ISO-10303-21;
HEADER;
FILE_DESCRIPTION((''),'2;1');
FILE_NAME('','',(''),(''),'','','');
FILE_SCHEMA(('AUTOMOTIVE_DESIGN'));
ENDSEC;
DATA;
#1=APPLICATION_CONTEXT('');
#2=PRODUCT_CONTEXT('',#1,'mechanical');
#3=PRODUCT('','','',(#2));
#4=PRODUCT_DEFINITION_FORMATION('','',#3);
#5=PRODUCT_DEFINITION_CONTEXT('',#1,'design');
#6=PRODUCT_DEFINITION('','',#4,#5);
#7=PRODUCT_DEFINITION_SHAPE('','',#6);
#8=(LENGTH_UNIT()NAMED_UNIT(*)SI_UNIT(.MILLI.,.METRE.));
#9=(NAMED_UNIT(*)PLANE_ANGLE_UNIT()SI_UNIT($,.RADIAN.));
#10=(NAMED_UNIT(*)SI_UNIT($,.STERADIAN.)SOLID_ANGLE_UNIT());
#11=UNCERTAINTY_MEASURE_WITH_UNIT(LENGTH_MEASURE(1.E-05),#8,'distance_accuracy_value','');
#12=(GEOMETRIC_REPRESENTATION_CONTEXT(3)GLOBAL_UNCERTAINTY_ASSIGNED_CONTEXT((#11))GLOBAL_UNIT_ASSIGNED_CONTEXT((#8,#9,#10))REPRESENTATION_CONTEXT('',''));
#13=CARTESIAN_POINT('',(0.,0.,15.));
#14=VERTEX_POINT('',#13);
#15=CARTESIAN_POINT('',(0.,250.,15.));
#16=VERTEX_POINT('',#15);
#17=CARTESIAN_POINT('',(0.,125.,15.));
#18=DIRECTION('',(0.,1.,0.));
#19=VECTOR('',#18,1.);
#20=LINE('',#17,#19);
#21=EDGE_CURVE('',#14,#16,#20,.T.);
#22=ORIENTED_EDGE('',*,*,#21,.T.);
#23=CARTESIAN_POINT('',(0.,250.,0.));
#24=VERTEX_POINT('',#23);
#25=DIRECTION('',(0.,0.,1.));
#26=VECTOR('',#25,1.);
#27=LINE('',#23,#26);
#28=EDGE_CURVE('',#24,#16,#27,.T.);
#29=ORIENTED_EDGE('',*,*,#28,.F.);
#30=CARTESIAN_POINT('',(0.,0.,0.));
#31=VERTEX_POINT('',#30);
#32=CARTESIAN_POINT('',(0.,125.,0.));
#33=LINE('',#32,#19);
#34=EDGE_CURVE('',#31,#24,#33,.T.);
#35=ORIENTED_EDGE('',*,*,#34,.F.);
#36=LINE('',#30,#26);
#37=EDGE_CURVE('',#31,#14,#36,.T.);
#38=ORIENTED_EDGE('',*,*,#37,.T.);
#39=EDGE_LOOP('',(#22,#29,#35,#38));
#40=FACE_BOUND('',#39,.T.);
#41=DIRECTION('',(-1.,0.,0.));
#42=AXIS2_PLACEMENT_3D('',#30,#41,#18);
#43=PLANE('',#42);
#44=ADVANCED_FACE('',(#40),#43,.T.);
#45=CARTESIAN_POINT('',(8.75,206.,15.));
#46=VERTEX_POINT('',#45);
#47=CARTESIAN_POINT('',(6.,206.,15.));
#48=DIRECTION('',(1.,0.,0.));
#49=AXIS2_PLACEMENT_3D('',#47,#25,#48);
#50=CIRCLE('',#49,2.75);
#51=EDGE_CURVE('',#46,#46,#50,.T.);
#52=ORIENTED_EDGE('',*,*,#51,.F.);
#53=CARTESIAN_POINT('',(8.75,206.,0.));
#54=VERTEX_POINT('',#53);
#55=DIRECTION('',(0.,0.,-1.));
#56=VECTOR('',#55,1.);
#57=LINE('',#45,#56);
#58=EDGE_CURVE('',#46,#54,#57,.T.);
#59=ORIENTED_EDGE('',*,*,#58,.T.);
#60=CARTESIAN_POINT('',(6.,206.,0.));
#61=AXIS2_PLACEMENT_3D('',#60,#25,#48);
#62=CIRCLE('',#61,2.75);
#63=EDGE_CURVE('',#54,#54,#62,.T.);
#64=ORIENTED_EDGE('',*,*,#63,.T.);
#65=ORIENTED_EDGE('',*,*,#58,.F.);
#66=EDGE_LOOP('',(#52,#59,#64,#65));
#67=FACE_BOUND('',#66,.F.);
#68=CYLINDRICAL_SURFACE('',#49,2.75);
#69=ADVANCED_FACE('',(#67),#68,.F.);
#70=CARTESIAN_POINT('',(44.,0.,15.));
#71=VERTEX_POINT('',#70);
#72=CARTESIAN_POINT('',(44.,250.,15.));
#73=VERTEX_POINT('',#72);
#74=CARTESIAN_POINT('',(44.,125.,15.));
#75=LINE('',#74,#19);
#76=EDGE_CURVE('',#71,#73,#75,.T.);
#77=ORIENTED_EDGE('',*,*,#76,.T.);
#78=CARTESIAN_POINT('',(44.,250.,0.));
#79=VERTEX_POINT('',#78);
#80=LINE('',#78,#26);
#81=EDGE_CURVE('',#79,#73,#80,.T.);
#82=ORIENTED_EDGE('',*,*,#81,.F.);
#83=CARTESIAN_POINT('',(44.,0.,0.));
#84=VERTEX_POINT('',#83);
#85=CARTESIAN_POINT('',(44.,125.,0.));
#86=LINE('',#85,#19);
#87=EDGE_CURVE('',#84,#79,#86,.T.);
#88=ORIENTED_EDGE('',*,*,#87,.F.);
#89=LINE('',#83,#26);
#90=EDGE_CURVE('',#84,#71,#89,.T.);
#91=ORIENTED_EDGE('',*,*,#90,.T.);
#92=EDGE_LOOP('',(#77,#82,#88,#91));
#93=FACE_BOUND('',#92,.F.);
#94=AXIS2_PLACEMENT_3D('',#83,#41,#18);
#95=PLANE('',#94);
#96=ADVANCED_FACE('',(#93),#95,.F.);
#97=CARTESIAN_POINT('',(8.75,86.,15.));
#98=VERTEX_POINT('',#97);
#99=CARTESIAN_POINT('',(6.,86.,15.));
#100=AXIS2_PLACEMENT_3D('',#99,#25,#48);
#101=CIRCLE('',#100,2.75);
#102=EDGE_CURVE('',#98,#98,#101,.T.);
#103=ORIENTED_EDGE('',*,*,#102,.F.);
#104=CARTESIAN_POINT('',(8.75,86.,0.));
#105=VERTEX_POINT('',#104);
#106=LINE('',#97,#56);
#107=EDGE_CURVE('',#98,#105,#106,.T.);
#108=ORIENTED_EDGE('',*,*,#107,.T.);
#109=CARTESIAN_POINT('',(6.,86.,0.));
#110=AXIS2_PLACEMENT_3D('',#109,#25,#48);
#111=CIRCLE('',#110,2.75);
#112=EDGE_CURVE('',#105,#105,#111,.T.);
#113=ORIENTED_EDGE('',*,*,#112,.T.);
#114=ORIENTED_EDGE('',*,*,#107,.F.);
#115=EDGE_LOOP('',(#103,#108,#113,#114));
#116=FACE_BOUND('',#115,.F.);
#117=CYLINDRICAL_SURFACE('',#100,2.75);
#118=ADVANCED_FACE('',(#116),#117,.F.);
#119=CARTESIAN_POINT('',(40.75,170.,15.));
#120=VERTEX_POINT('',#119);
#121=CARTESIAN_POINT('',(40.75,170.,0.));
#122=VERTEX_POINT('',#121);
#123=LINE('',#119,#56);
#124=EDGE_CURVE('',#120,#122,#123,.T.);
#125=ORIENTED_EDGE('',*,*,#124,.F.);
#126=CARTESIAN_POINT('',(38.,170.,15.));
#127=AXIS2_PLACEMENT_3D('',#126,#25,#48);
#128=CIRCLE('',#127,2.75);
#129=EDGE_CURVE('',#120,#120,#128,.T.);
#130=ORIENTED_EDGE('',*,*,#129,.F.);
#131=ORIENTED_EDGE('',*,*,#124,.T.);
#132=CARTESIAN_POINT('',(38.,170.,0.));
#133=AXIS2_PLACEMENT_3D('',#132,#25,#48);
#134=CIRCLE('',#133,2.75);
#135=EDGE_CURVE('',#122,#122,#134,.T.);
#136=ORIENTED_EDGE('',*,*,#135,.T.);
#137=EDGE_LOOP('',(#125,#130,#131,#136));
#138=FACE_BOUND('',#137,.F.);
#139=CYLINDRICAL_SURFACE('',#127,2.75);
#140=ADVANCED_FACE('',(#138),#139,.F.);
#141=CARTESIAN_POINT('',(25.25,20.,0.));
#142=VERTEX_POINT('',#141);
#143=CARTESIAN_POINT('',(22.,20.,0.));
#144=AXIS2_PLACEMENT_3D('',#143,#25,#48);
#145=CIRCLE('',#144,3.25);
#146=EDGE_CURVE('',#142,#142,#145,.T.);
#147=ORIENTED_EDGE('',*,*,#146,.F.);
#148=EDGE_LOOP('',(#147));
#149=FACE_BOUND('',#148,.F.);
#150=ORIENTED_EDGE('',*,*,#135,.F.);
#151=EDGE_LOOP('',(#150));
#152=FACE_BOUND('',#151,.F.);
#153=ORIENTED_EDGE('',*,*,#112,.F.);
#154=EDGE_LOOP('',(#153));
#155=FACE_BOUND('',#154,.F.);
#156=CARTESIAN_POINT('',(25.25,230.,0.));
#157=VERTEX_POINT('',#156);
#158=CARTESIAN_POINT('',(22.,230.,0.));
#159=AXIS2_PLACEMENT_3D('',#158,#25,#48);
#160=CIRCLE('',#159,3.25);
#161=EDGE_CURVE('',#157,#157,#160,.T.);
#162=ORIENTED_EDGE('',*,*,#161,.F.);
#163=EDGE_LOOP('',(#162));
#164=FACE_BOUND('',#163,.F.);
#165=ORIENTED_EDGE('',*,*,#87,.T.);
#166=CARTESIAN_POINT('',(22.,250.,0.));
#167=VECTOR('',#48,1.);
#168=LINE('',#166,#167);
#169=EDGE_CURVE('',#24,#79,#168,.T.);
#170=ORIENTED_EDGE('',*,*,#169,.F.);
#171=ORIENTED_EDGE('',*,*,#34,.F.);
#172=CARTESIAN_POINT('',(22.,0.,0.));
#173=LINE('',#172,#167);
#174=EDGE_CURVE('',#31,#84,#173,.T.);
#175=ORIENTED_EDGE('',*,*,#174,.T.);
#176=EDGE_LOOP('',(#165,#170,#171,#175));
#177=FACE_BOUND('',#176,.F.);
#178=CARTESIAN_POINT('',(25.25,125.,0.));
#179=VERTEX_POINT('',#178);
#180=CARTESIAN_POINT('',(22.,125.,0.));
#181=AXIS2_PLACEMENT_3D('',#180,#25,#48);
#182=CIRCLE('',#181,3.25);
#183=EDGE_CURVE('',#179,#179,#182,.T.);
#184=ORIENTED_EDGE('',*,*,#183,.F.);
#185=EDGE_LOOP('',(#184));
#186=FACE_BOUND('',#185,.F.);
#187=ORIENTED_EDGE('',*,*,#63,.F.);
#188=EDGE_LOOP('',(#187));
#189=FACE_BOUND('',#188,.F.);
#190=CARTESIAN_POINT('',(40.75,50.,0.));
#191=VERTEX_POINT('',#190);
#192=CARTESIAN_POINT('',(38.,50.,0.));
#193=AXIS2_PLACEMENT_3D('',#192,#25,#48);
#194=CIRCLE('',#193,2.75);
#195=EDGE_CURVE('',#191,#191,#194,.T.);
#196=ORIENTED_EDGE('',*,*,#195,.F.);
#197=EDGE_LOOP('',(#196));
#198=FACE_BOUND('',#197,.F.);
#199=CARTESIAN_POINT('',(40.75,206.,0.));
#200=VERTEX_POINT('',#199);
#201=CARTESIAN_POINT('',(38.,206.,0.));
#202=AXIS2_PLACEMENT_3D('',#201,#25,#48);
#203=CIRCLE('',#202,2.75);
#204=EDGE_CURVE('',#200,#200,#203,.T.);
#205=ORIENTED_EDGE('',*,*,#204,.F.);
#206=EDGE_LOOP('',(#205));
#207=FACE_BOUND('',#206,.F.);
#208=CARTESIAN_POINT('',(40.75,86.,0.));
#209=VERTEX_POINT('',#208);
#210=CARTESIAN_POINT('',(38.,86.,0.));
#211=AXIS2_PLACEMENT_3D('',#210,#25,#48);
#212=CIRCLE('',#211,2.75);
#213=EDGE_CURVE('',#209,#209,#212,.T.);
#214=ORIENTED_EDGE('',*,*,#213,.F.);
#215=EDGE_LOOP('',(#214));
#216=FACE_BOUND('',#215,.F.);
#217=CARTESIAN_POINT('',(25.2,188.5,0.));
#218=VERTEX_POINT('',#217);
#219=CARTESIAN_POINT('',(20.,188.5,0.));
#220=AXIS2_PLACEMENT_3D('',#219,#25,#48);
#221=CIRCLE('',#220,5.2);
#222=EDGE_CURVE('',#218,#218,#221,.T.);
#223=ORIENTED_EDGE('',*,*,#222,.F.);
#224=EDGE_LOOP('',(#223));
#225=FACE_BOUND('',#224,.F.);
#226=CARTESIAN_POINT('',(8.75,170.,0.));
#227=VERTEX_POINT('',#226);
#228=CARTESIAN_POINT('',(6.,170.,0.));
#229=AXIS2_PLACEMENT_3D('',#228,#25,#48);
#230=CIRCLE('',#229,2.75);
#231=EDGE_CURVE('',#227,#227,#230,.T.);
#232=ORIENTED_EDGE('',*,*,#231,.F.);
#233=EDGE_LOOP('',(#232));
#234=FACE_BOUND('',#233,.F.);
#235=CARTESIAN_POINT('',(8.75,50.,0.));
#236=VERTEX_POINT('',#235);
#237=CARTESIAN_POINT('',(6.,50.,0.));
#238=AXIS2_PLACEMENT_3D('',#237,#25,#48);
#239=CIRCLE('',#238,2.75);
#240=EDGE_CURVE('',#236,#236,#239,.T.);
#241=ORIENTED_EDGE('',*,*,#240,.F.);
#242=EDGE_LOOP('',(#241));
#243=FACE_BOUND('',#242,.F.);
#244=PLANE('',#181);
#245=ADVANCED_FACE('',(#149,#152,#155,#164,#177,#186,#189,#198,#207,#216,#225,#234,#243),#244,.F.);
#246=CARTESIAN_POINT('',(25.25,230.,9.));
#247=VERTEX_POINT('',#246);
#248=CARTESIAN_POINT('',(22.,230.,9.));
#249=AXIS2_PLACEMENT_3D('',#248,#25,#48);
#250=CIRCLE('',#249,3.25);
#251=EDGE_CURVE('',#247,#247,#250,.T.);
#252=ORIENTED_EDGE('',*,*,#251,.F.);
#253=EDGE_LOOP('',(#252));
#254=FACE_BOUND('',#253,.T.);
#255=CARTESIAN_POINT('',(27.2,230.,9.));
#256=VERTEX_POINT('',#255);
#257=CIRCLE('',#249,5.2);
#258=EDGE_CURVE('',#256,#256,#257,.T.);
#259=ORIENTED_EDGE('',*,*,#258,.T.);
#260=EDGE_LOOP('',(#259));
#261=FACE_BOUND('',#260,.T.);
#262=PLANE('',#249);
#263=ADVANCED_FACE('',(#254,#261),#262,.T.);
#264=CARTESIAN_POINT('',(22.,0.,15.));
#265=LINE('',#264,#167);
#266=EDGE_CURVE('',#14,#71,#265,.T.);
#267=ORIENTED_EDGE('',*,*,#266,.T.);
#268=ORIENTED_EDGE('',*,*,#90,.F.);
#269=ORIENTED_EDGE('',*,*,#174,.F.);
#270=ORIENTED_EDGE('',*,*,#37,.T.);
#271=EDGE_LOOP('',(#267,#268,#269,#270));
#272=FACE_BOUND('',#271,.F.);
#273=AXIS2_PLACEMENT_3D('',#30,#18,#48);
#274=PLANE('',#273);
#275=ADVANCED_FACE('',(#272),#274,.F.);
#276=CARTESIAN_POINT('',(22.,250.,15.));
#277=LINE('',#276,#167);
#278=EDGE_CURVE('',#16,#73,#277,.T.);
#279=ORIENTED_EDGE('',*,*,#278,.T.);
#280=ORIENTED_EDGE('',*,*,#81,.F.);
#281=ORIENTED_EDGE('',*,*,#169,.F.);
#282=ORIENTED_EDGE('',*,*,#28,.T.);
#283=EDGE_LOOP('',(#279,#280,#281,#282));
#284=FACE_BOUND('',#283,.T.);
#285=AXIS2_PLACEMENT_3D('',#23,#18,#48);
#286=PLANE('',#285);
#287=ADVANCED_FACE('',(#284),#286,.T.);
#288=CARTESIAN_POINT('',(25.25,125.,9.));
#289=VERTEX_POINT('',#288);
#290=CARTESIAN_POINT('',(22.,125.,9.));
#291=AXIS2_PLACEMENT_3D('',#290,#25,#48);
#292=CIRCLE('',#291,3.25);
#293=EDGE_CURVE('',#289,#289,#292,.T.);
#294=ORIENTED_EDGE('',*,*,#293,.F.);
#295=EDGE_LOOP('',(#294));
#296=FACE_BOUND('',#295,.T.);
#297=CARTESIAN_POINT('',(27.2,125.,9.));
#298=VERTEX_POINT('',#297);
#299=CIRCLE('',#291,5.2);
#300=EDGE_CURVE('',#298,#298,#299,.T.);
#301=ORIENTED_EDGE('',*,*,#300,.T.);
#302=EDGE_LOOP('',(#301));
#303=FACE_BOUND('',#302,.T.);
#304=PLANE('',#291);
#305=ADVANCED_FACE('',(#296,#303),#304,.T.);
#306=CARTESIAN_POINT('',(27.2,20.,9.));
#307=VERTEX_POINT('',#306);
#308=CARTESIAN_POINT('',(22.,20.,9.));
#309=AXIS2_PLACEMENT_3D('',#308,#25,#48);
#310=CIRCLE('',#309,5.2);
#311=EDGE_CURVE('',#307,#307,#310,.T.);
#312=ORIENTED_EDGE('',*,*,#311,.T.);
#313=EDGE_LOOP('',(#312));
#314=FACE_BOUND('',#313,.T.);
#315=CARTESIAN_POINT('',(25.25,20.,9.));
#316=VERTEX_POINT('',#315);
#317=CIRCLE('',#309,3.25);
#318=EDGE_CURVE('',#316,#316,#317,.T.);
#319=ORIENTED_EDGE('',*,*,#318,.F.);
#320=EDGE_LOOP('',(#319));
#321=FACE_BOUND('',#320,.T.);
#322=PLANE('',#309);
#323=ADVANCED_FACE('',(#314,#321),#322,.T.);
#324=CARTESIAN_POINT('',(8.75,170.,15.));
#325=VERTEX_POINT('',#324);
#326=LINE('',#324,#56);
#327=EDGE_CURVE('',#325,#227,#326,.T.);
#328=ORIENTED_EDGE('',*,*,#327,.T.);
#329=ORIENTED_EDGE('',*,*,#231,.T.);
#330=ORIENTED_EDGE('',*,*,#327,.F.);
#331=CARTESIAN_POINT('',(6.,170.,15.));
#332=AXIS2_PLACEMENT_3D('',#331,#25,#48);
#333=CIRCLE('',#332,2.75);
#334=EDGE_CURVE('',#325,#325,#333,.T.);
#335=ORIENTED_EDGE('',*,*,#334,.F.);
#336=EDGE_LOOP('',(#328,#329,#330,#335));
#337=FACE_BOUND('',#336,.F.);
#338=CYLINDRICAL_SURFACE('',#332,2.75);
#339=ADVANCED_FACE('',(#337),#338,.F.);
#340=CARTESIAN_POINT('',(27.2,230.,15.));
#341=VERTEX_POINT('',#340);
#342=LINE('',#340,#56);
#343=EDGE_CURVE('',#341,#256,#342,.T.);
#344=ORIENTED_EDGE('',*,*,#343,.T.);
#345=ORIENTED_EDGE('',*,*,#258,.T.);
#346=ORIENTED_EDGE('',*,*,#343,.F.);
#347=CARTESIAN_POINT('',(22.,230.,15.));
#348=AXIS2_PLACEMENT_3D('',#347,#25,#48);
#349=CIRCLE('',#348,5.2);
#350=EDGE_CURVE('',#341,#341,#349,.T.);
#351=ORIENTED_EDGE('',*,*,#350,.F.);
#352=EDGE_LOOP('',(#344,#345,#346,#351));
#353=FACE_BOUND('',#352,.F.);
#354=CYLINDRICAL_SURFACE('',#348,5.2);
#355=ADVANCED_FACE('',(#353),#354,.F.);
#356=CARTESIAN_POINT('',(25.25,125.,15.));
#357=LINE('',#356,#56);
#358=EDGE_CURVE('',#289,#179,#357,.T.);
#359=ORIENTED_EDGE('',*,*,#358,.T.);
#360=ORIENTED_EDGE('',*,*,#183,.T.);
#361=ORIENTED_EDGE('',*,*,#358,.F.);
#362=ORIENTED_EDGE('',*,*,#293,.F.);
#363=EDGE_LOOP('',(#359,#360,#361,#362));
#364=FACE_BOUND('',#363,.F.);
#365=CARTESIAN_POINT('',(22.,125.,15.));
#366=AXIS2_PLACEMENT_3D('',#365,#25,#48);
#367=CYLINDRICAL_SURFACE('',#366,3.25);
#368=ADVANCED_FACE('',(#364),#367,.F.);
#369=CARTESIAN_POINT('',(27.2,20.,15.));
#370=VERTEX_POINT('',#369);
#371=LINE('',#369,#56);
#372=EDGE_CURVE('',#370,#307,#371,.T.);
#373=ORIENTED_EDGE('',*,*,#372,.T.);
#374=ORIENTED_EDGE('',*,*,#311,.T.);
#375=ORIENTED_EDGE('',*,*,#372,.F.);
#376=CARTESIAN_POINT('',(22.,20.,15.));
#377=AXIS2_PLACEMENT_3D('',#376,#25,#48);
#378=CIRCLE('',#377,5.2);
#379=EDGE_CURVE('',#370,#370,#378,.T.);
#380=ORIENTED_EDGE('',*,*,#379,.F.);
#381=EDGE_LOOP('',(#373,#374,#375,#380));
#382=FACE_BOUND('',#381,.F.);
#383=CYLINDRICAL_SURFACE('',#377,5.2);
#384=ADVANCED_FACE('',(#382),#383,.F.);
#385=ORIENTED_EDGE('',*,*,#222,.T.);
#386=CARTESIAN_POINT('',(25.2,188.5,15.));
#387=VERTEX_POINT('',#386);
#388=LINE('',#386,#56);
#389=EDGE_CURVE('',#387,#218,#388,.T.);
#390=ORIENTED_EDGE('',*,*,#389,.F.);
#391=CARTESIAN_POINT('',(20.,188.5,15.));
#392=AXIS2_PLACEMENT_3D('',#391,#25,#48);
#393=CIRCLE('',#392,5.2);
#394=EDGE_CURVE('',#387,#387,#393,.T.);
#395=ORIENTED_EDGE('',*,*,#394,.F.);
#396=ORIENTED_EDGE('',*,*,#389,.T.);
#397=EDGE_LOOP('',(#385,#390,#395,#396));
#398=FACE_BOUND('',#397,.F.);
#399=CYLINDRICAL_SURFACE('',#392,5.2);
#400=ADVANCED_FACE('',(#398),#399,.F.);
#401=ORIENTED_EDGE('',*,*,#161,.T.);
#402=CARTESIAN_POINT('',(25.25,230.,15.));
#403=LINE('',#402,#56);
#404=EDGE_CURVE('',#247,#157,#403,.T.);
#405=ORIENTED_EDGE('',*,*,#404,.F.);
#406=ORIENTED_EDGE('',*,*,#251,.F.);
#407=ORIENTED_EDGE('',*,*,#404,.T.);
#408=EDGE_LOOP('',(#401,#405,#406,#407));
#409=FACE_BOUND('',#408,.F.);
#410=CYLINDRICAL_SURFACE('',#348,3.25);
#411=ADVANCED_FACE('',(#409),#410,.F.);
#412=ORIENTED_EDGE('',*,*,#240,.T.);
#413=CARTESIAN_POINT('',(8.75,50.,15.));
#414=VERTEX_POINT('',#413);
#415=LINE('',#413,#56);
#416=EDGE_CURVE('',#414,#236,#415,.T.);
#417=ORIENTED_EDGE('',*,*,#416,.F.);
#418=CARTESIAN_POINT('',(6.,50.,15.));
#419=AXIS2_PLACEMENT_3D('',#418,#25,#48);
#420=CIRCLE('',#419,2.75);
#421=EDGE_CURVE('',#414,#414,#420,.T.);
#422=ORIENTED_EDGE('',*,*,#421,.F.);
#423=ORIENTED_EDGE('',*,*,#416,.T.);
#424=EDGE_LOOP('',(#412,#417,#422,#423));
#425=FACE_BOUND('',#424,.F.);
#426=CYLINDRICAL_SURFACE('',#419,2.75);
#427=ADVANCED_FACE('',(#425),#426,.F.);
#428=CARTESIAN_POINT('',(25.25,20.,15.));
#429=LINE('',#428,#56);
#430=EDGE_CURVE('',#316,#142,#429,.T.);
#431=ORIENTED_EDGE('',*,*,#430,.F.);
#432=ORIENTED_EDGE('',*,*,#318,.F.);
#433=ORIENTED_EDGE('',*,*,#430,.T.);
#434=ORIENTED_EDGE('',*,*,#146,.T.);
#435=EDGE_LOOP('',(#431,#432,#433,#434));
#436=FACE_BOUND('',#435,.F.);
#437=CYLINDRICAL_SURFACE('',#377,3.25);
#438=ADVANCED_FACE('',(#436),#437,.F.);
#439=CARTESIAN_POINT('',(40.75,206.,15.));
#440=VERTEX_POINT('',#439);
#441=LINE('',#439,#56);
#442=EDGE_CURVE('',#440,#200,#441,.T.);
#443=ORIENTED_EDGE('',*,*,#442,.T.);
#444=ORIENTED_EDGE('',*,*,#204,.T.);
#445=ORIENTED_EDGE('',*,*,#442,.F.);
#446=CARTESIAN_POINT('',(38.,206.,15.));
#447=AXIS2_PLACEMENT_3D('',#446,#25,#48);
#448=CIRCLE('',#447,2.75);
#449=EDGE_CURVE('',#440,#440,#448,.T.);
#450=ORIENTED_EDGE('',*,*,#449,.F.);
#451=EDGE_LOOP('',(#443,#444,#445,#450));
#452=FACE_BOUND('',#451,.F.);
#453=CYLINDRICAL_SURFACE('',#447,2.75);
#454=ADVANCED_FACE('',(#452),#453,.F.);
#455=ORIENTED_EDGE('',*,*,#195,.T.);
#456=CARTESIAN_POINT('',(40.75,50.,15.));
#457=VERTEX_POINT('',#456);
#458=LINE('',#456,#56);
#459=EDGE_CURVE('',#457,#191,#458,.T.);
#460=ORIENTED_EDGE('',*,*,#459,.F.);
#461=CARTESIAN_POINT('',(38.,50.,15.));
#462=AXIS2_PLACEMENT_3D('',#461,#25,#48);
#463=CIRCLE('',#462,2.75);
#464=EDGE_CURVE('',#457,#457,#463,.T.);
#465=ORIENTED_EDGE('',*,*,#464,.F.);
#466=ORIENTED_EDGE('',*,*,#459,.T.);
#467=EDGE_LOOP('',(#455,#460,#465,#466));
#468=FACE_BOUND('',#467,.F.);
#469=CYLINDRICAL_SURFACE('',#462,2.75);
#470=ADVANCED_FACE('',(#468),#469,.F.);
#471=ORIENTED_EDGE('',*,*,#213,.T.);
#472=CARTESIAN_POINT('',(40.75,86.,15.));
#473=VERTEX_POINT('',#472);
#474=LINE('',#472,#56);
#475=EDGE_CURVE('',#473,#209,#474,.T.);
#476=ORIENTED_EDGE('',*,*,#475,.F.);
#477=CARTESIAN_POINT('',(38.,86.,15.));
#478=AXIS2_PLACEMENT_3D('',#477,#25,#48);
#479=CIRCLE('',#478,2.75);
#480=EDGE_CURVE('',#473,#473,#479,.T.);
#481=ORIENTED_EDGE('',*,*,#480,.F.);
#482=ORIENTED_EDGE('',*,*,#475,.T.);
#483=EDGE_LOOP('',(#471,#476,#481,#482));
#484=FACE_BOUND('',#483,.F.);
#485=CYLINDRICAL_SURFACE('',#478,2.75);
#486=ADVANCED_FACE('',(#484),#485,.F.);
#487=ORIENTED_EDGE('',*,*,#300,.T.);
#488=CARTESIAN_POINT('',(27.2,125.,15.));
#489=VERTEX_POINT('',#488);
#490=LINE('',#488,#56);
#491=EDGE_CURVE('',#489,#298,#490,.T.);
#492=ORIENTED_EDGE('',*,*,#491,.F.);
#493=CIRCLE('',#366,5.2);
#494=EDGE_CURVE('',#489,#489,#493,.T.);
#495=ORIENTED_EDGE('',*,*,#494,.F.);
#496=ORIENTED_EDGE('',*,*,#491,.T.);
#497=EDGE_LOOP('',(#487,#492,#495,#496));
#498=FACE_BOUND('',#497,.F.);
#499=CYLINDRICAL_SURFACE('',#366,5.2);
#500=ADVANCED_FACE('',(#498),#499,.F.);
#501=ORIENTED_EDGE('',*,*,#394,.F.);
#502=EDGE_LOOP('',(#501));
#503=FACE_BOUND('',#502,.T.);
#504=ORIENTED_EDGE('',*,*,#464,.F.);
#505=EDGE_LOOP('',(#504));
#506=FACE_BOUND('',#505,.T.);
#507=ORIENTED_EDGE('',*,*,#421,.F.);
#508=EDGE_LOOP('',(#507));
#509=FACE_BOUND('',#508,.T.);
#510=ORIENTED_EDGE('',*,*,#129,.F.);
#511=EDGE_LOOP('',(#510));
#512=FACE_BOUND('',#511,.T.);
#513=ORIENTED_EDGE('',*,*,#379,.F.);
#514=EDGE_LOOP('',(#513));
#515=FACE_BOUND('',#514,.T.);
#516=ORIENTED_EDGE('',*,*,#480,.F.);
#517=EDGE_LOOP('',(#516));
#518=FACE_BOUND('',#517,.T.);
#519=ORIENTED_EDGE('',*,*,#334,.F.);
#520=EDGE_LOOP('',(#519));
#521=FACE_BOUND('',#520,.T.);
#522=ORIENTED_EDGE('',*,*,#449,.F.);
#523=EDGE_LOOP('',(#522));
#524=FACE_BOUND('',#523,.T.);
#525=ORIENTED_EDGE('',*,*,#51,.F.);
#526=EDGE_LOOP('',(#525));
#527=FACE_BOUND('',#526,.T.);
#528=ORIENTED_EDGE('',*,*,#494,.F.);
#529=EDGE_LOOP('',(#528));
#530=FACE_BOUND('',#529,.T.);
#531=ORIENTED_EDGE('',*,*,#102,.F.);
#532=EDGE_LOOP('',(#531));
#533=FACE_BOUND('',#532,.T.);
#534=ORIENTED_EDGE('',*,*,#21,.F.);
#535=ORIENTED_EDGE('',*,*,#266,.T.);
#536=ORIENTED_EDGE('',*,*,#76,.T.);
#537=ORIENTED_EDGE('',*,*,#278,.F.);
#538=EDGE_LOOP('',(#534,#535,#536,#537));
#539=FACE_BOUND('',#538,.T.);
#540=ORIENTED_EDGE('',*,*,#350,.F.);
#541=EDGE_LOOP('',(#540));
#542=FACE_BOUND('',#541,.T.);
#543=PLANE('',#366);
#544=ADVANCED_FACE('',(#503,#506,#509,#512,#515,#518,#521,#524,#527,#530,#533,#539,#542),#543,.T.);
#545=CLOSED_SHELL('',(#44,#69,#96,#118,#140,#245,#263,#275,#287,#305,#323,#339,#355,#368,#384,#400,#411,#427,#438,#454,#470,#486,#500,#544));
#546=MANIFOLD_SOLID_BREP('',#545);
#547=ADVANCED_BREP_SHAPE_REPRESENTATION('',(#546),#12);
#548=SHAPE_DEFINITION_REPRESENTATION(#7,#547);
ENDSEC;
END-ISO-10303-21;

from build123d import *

# Parameters (mm, degrees)
SKETCH_W        = 44
SKETCH_H        = 250
PAD_DEPTH       = 15
SKETCH001_R     = 3.25
POCKET_DEPTH    = 15
SKETCH002_R     = 2.75
POCKET001_DEPTH = 15
SKETCH003_R     = 5.2
POCKET002_DEPTH = 6
SKETCH004_R     = 5.2
POCKET003_DEPTH = 15


with BuildPart() as part:
    # Sketch → Pad (new body)
    with BuildSketch(Plane.XY):
        with Locations((22, 125)):
            Rectangle(SKETCH_W, SKETCH_H)
    extrude(amount=PAD_DEPTH)

    # Sketch001 (on Face6 of Pad) → Pocket (cut)
    with BuildSketch(Plane.XY.offset(15)):
        with Locations((22, 230)):
            Circle(SKETCH001_R)
        with Locations((22, 125)):
            Circle(SKETCH001_R)
        with Locations((22, 20)):
            Circle(SKETCH001_R)
    extrude(amount=-POCKET_DEPTH, mode=Mode.SUBTRACT)

    # Sketch002 (on Face5 of Pocket) → Pocket001 (cut)
    with BuildSketch(Plane.XY.offset(15)):
        with Locations((6, 206)):
            Circle(SKETCH002_R)
        with Locations((38, 206)):
            Circle(SKETCH002_R)
        with Locations((6, 170)):
            Circle(SKETCH002_R)
        with Locations((38, 170)):
            Circle(SKETCH002_R)
        with Locations((6, 86)):
            Circle(SKETCH002_R)
        with Locations((38, 86)):
            Circle(SKETCH002_R)
        with Locations((6, 50)):
            Circle(SKETCH002_R)
        with Locations((38, 50)):
            Circle(SKETCH002_R)
    extrude(amount=-POCKET001_DEPTH, mode=Mode.SUBTRACT)

    # Sketch003 (on Face5 of Pocket001) → Pocket002 (cut)
    with BuildSketch(Plane.XY.offset(15)):
        with Locations((22, 20)):
            Circle(SKETCH003_R)
        with Locations((22, 125)):
            Circle(SKETCH003_R)
        with Locations((22, 230)):
            Circle(SKETCH003_R)
    extrude(amount=-POCKET002_DEPTH, mode=Mode.SUBTRACT)

    # Sketch004 (on Face5 of Pocket002) → Pocket003 (cut)
    with BuildSketch(Plane.XY.offset(15)):
        with Locations((20, 188.5)):
            Circle(SKETCH004_R)
    extrude(amount=-POCKET003_DEPTH, mode=Mode.SUBTRACT)


solid = part.part
